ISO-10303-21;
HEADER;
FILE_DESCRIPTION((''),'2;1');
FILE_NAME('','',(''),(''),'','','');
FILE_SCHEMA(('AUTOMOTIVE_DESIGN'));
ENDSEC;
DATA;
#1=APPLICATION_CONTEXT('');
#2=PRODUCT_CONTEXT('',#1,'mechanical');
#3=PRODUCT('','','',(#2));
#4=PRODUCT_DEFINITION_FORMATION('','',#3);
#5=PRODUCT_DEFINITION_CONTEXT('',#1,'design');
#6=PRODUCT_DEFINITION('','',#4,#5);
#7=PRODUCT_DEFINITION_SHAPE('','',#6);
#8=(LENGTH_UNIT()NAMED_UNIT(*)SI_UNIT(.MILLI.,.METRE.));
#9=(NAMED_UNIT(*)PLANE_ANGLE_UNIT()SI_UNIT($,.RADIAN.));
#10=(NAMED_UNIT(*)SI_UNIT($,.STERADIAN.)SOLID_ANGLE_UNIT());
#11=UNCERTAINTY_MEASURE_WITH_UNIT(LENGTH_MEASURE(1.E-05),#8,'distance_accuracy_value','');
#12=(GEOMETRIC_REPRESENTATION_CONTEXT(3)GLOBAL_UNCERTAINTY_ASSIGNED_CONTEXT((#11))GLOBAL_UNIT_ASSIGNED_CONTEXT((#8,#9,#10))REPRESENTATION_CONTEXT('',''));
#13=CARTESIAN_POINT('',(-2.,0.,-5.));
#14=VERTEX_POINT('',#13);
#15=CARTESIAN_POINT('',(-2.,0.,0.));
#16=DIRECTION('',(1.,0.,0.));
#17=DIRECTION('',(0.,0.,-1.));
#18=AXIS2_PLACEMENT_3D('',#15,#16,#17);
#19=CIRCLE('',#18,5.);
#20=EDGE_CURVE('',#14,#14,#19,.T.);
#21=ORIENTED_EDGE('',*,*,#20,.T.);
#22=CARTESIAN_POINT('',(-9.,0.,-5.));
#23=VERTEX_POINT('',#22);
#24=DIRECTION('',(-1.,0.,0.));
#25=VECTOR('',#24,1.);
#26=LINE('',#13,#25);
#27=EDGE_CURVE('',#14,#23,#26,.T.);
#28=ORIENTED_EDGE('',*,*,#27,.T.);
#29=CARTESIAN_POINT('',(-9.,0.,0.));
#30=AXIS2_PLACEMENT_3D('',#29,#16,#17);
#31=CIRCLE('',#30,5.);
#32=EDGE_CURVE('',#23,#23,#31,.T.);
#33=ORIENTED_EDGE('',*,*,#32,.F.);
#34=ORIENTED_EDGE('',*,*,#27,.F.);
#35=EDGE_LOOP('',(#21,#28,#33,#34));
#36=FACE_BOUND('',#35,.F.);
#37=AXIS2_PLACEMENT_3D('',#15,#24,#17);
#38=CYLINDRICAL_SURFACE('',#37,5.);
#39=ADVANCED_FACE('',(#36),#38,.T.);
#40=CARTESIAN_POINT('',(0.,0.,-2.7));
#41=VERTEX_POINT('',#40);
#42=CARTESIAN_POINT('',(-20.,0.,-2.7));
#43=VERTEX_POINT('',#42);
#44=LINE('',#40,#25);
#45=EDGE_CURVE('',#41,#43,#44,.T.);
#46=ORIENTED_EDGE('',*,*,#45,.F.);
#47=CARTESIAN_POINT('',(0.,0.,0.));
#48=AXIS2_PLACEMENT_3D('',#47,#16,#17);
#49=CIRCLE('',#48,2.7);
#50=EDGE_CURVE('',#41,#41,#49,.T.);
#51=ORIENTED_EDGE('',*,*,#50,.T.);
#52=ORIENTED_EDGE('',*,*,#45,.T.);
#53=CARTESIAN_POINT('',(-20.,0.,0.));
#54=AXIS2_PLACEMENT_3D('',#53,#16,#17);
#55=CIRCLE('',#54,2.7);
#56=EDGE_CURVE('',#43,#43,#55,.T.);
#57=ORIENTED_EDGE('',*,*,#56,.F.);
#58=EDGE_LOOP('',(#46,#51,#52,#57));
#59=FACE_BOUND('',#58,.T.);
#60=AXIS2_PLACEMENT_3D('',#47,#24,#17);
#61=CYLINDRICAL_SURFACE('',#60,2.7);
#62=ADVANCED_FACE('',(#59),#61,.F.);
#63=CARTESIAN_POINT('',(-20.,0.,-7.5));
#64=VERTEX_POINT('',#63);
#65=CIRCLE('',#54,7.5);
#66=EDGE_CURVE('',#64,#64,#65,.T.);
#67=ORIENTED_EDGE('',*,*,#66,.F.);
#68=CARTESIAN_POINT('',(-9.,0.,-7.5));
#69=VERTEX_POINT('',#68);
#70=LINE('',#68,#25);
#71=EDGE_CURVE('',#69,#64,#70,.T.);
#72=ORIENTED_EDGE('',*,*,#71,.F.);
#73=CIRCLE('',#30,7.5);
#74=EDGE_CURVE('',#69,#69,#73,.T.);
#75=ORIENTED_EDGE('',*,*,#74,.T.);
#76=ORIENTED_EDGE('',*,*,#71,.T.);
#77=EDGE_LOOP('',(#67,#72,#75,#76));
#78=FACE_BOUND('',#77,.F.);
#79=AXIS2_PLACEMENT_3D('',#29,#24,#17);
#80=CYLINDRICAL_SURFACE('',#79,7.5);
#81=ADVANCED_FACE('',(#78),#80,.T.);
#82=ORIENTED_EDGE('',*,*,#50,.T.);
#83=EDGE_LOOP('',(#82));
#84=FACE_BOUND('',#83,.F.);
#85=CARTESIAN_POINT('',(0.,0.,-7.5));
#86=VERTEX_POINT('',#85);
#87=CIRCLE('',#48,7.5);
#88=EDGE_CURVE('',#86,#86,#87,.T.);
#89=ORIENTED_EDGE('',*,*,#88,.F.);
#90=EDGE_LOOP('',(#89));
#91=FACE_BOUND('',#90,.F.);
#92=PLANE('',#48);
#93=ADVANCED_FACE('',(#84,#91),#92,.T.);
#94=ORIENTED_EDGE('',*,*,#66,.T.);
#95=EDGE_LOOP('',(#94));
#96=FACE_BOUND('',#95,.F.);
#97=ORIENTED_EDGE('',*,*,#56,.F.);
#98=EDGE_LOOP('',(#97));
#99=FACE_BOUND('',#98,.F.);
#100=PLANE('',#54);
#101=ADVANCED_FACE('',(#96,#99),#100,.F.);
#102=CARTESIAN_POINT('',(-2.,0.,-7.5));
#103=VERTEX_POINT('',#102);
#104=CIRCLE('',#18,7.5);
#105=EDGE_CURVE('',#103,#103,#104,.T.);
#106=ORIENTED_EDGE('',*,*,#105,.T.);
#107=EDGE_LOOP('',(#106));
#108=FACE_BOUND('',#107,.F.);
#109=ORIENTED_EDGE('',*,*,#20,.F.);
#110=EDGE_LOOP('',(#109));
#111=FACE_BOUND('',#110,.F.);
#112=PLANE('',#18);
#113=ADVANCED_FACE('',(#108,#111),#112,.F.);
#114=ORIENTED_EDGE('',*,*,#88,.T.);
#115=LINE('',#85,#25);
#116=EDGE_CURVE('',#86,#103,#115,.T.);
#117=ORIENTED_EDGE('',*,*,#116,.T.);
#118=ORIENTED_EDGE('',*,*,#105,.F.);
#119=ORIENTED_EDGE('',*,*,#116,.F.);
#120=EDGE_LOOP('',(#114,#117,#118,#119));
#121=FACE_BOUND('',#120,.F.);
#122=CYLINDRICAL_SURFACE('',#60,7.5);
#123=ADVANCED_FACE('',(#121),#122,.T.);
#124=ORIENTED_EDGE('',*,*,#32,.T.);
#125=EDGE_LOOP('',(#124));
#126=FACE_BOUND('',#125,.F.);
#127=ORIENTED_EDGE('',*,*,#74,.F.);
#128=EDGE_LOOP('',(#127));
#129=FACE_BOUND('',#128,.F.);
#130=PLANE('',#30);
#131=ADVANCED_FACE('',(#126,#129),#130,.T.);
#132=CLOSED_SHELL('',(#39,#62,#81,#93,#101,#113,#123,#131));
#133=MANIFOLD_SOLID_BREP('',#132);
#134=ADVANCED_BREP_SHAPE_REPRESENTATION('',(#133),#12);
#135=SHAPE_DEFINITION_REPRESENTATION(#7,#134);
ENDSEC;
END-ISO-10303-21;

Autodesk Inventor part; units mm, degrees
ref_plane "YZ Plane" through (0, 0, 0) normal (1, 0, 0) x (0, 1, 0)
ref_plane "XZ Plane" through (0, 0, 0) normal (0, 1, 0) x (-1, 0, 0)
ref_plane "XY Plane" through (0, 0, 0) normal (0, 0, 1) x (1, 0, 0)
sketch "Sketch1" plane through (0, 0, 0) normal (0, 1, 0) x (-1, 0, 0)
  line L0 (0, 0) -> (0, -7.5)
  line L1 (0, -7.5) -> (2, -7.5)
  line L2 (2, -7.5) -> (2, -5)
  line L3 (2, -5) -> (9, -5)
  line L4 (9, -5) -> (9, -7.5)
  line L5 (9, -7.5) -> (20, -7.5)
  line L6 (20, -7.5) -> (20, 0)
  line L7 (20, 0) -> (0, 0)
  line L8 (0, -2.7) -> (20, -2.7)
  dimension "d0" = 7.5
  dimension "d1" = 7.5
  dimension "d2" = 5
  dimension "d3" = 2
  dimension "d4" = 11
  dimension "d5" = 7
  dimension "d7" = 2.7
revolve "Revolution1" add sketch "Sketch1" angle 360 about axis through (-20, 0, 0) along (1, 0, 0) contours L8 L6 L5 L4 L3 L2 L1 L0
equation "\"d1\" = d0"
properties part number "IdlerPulley"
